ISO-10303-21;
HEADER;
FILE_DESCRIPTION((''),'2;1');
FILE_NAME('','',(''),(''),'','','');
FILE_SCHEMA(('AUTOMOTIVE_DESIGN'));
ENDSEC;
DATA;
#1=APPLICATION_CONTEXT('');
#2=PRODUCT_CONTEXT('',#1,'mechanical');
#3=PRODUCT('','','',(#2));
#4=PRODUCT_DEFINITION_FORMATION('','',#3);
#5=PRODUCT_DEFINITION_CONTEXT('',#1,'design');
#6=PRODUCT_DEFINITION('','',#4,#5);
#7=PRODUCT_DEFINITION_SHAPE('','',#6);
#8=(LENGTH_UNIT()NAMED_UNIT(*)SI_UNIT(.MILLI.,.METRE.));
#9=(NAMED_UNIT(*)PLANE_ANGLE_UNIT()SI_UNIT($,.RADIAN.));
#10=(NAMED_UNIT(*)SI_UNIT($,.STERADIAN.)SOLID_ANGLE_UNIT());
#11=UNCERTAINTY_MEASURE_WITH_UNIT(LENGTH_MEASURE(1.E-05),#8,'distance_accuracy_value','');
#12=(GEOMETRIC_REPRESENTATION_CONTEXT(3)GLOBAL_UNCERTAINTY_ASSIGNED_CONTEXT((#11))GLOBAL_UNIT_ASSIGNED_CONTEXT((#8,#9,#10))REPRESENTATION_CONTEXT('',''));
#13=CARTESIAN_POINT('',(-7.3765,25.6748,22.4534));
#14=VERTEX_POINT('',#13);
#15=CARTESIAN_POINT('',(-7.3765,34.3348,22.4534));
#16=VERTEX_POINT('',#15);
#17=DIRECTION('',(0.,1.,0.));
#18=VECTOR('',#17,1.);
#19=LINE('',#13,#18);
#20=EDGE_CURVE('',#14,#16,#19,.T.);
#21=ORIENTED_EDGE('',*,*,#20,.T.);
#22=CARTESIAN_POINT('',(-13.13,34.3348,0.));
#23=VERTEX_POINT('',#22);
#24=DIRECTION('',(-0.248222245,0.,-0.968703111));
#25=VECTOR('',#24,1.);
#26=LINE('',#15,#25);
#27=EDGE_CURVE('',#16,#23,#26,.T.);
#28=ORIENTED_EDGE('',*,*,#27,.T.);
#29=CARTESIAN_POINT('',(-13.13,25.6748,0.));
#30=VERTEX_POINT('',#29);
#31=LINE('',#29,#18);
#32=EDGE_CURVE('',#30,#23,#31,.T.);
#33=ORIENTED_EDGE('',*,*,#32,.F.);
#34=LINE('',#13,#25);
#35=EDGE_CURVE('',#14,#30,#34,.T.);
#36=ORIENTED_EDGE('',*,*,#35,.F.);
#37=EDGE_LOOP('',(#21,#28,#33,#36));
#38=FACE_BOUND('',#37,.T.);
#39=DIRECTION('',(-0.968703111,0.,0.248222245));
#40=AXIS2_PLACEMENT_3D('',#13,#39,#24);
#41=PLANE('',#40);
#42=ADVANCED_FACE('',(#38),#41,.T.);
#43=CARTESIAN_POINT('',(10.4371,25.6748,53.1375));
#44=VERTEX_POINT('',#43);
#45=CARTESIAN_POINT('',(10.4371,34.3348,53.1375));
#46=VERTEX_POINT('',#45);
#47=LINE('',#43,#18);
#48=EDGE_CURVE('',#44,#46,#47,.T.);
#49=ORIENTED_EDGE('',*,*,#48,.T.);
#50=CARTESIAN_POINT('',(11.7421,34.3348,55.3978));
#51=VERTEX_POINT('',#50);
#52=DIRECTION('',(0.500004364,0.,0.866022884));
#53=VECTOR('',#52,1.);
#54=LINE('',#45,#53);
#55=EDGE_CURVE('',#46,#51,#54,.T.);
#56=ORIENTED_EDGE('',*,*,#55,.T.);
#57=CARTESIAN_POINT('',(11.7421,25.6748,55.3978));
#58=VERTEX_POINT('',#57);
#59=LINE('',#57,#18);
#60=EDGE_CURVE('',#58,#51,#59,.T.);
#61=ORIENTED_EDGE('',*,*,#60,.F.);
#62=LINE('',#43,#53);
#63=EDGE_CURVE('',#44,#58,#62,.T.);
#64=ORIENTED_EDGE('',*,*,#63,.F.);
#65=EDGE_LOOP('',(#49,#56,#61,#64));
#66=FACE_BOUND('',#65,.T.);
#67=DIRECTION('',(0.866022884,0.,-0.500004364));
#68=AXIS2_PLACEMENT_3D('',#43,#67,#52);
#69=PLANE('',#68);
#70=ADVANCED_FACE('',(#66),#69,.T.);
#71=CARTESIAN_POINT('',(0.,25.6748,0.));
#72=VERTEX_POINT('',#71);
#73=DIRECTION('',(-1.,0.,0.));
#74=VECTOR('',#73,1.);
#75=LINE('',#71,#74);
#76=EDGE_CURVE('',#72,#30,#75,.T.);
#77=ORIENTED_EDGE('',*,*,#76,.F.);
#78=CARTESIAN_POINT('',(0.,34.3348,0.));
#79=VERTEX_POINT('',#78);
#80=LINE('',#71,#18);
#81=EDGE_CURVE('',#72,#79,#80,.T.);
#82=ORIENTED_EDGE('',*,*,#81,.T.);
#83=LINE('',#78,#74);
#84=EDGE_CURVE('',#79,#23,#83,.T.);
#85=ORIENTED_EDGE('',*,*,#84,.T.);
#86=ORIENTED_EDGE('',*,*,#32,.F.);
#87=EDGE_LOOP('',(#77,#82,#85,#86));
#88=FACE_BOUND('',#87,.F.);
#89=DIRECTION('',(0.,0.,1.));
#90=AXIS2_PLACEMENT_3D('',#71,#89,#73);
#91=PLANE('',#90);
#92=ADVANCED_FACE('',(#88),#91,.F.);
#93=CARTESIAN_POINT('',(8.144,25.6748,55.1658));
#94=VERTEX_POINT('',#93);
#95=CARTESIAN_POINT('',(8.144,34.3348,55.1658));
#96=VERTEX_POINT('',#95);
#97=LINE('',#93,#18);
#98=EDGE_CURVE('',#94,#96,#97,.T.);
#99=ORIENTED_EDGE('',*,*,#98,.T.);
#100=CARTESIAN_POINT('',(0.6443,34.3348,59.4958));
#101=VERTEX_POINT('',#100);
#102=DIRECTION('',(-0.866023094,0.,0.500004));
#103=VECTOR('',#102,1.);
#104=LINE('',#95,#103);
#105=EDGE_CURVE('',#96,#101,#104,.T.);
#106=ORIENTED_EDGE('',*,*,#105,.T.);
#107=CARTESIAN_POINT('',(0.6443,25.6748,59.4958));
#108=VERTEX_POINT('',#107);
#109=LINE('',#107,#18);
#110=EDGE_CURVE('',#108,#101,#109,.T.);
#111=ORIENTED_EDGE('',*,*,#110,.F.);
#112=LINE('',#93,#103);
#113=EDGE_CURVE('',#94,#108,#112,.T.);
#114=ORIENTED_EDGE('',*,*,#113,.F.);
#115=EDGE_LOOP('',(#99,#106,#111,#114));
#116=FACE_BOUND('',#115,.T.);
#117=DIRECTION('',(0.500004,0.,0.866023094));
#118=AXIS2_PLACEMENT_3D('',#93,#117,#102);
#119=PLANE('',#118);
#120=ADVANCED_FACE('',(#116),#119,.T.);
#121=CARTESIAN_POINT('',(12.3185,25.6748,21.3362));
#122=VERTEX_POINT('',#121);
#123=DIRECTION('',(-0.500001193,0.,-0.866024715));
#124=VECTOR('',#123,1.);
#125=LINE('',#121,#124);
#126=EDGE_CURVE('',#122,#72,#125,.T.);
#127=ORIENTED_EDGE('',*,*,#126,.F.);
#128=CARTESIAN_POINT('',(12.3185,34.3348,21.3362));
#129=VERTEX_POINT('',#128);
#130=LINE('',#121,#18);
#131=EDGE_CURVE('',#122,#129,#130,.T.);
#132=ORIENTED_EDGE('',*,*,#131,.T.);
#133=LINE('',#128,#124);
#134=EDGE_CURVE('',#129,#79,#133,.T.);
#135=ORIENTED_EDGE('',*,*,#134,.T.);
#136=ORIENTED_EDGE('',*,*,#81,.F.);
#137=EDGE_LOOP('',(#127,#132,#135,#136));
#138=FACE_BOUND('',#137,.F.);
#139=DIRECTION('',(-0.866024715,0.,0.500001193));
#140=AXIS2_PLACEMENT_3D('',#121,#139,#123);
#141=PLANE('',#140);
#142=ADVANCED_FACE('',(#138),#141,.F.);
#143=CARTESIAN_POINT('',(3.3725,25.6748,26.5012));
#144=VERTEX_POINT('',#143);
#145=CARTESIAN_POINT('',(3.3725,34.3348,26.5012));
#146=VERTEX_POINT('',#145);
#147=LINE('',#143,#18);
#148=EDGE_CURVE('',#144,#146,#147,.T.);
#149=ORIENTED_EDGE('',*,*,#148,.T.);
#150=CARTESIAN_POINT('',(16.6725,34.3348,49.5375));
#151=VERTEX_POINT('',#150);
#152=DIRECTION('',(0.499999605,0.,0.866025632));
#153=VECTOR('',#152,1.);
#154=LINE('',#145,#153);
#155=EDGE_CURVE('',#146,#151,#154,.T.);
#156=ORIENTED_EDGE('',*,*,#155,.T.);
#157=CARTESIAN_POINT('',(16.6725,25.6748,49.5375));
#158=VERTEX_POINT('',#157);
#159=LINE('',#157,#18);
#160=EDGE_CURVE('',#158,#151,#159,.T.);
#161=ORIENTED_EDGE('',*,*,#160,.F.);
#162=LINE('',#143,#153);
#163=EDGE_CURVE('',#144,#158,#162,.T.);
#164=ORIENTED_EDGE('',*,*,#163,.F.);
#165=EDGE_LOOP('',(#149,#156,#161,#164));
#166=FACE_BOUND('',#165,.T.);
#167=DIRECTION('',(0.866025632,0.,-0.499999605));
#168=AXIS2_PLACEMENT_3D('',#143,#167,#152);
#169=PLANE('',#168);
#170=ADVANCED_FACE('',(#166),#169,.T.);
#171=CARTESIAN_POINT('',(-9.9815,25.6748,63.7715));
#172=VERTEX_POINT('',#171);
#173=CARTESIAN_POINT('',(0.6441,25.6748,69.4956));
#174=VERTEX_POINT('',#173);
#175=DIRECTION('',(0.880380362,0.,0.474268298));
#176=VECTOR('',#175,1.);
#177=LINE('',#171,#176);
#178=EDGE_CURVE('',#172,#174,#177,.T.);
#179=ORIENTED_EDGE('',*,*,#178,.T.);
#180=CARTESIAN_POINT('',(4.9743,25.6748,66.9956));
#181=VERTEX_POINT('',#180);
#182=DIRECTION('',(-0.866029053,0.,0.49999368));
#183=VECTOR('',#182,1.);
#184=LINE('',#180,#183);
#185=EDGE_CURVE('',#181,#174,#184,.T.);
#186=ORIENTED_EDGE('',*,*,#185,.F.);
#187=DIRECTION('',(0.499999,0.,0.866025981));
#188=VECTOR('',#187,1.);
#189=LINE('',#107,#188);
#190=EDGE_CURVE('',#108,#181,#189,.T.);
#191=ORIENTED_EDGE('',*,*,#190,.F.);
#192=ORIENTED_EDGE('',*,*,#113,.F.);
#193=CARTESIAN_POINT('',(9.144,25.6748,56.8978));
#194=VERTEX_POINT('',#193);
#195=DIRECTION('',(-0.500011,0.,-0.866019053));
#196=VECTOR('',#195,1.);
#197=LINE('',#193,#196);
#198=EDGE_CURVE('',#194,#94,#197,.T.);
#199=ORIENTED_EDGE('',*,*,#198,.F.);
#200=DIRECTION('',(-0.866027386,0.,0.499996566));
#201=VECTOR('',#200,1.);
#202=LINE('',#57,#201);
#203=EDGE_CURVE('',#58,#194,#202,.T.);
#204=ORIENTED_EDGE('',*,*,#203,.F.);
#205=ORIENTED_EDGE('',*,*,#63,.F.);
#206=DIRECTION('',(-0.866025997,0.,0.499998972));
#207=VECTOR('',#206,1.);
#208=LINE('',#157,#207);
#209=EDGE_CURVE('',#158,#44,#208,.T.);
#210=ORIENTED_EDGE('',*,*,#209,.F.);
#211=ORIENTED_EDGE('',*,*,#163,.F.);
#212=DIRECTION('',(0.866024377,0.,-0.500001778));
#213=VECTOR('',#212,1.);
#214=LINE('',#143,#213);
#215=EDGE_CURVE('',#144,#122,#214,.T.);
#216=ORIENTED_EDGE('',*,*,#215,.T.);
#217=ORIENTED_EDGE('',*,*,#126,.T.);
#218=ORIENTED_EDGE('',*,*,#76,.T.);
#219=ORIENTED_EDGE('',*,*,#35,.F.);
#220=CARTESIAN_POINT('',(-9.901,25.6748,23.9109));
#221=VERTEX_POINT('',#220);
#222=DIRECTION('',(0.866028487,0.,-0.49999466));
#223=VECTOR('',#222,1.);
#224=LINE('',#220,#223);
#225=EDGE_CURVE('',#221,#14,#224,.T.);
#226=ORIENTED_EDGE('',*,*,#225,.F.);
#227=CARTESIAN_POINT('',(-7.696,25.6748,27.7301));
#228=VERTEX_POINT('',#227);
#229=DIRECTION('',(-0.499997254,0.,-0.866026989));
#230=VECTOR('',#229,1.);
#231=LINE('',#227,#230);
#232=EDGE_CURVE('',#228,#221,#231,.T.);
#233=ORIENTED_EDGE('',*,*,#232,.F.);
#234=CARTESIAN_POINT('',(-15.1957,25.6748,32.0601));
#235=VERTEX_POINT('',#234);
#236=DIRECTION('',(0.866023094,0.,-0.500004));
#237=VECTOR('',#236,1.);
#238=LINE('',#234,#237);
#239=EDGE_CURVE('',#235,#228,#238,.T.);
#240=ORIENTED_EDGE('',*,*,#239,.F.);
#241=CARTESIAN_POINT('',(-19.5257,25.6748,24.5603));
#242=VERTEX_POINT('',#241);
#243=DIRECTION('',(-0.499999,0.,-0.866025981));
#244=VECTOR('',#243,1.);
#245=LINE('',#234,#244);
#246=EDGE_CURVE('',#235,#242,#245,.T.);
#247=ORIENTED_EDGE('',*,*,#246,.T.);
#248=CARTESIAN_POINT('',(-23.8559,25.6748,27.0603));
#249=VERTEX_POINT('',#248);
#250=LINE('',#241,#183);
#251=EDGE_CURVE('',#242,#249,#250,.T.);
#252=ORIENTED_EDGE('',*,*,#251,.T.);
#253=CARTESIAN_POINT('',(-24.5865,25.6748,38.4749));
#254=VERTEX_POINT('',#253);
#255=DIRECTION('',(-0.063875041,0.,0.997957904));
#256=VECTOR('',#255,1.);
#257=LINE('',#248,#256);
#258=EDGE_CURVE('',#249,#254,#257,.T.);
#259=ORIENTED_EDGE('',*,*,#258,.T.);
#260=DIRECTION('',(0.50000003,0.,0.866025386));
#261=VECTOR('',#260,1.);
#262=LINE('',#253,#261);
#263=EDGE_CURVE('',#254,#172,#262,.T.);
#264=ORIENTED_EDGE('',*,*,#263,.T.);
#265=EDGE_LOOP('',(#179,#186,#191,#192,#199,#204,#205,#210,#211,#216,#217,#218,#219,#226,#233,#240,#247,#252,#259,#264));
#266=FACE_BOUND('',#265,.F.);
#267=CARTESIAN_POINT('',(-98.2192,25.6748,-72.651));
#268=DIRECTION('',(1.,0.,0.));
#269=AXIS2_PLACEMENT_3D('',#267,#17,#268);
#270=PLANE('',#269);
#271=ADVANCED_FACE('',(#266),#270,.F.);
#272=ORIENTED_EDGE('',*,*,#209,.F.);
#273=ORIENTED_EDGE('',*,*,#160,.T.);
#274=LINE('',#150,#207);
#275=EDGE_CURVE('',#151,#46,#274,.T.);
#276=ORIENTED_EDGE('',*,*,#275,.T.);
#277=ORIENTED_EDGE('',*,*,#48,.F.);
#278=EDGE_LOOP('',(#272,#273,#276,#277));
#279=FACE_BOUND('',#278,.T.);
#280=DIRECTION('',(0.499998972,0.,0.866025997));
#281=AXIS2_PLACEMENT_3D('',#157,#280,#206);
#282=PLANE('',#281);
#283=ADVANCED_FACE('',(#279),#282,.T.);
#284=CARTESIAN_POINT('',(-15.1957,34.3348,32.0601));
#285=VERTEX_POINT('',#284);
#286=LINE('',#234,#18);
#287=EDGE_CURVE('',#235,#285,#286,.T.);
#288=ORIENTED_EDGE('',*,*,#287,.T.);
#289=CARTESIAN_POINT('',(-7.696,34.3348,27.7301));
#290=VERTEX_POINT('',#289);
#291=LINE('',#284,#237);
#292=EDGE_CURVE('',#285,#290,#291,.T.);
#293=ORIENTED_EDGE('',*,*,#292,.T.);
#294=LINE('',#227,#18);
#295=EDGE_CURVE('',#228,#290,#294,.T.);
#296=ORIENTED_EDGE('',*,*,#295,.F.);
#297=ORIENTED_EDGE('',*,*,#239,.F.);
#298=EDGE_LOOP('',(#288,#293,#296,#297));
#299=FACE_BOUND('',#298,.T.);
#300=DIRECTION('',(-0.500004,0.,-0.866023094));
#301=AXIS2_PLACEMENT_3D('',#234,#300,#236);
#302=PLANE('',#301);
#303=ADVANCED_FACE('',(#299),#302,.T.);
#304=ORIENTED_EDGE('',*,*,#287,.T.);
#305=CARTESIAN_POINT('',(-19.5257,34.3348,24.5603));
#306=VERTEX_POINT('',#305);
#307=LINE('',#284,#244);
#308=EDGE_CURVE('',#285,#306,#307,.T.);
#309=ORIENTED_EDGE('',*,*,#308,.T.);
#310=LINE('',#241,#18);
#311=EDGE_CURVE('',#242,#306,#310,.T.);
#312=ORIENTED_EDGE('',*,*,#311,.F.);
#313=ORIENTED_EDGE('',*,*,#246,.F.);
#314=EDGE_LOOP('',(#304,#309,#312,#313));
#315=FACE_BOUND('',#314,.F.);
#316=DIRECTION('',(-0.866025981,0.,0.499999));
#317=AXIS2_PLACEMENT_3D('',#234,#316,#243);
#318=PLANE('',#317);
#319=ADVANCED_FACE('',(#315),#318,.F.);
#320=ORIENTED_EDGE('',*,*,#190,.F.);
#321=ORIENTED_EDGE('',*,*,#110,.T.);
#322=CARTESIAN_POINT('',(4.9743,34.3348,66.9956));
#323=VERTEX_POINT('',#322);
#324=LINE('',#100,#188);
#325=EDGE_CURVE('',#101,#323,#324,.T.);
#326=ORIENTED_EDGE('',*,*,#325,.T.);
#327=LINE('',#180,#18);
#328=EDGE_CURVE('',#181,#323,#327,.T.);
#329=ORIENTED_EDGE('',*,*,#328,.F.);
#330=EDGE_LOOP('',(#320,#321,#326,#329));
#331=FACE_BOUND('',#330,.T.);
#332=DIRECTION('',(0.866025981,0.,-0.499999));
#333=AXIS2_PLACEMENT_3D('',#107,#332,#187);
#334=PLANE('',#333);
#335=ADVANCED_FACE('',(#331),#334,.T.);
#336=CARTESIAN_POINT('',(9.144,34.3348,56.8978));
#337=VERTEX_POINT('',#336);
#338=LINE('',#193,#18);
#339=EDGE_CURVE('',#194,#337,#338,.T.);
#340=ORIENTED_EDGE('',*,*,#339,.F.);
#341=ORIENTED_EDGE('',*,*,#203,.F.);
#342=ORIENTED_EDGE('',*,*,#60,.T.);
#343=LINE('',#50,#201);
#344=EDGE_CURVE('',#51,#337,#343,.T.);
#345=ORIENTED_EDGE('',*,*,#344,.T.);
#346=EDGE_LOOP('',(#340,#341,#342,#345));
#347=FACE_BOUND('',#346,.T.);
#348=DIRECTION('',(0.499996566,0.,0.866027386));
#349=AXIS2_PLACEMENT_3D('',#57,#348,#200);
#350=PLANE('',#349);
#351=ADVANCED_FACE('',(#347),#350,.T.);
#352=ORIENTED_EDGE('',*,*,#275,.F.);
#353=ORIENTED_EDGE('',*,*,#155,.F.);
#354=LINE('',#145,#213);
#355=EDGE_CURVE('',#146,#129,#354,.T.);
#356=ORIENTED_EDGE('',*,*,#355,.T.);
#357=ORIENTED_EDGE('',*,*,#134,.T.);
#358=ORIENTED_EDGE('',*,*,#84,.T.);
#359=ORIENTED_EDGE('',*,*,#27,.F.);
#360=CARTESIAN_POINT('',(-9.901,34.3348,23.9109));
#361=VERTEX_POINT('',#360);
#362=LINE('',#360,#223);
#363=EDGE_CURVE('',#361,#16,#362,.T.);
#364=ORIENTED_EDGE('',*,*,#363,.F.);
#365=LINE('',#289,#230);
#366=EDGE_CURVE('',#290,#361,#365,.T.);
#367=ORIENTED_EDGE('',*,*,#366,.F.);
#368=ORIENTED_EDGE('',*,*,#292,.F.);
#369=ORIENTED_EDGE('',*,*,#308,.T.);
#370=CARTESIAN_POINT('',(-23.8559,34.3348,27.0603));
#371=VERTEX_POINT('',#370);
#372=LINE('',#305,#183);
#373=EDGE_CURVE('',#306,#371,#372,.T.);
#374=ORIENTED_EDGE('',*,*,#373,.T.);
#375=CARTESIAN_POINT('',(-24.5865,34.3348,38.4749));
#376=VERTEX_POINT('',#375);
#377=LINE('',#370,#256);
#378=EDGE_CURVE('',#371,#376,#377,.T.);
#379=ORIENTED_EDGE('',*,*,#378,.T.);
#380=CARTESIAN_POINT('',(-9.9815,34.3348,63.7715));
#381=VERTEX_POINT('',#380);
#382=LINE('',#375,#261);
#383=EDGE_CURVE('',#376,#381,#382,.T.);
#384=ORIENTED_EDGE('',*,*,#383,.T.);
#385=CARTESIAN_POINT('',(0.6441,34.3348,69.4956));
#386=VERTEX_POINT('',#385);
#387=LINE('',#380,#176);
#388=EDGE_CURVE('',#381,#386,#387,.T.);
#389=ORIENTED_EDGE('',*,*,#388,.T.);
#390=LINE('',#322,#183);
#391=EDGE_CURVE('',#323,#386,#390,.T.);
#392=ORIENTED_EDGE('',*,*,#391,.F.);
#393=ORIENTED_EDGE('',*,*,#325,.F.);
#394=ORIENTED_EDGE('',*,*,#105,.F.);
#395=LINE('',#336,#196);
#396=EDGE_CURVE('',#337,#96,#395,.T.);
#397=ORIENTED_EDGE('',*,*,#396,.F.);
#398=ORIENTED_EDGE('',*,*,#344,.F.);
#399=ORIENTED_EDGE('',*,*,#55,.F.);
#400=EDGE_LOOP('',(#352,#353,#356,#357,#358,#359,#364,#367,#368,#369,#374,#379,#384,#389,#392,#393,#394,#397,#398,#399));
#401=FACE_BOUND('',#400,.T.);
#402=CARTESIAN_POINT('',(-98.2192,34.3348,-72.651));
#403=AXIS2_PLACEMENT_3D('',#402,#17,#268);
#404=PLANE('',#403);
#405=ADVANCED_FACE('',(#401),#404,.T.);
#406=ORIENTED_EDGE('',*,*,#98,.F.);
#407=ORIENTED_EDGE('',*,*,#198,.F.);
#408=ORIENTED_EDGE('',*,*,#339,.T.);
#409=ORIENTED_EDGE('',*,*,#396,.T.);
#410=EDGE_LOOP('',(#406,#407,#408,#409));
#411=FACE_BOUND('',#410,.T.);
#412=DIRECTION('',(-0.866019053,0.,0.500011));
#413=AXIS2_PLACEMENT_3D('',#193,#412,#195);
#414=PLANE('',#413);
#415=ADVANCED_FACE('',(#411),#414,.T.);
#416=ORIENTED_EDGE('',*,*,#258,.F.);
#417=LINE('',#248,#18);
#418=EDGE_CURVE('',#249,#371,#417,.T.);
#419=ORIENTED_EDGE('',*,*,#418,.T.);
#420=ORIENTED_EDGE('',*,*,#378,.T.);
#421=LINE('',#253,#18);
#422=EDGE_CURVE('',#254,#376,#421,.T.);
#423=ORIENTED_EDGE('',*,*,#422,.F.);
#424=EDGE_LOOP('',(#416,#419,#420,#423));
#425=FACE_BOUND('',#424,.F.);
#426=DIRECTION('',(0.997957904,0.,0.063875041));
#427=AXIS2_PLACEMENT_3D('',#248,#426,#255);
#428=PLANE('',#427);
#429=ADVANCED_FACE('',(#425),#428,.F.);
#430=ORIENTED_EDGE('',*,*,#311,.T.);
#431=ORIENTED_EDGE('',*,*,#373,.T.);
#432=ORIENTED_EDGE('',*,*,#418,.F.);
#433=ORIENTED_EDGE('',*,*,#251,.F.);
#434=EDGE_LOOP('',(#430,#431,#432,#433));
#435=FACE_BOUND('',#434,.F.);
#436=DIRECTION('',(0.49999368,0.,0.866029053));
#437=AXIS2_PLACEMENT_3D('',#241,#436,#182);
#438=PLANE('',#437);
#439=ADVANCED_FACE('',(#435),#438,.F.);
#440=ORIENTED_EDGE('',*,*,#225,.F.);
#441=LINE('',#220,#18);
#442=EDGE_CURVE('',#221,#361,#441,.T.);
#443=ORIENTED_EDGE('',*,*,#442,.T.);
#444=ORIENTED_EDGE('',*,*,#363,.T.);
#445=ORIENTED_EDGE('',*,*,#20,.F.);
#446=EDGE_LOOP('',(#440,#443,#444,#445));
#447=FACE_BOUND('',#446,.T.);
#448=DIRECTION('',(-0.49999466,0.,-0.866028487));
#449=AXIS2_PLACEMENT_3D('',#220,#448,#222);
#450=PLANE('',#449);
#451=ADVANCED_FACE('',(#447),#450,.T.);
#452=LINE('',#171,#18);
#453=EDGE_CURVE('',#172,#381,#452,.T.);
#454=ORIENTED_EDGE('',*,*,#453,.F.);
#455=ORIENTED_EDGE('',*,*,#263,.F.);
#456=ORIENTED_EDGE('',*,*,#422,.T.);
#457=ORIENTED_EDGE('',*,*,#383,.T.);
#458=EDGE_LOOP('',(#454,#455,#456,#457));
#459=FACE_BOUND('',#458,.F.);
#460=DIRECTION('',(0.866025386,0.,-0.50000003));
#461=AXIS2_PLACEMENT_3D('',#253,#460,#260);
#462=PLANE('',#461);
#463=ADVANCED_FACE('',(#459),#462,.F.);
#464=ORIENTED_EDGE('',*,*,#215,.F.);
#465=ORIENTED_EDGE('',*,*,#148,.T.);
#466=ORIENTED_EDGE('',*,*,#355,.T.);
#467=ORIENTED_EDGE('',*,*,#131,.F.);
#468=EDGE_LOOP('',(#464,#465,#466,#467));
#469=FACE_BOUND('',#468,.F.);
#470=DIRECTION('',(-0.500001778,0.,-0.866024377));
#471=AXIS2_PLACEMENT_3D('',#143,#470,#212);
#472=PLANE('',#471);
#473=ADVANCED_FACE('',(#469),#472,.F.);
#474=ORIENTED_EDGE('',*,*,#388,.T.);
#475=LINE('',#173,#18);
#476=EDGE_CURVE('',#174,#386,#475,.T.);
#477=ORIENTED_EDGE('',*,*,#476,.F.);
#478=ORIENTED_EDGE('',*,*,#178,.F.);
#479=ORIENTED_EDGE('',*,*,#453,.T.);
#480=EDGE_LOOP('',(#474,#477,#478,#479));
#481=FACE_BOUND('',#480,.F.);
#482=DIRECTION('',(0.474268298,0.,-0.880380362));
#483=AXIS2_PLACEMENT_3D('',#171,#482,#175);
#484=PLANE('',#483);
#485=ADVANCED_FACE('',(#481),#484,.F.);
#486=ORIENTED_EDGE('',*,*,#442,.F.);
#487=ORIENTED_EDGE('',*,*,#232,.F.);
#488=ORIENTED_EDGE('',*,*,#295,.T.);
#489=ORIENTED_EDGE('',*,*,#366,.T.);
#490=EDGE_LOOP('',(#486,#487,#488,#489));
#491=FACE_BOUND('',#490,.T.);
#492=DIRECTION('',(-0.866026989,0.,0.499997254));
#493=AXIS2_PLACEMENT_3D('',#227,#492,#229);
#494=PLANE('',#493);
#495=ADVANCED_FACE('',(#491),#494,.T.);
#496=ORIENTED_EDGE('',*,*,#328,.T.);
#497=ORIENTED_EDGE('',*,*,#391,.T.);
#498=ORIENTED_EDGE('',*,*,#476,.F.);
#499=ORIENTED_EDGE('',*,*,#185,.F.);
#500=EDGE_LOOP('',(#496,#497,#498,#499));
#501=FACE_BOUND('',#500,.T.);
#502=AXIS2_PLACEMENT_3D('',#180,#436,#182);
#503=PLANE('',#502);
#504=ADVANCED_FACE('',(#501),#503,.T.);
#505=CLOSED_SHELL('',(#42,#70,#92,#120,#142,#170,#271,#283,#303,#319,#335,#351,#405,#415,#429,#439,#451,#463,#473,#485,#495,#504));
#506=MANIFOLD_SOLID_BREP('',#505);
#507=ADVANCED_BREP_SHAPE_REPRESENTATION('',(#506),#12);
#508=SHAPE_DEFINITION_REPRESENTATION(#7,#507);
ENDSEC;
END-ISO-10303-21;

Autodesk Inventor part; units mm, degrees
ref_plane "YZ Plane" through (0, 0, 0) normal (1, 0, 0) x (0, 1, 0)
ref_plane "XZ Plane" through (0, 0, 0) normal (0, 1, 0) x (-1, 0, 0)
ref_plane "XY Plane" through (0, 0, 0) normal (0, 0, 1) x (1, 0, 0)
ref_plane "Work Plane3" through (-98.2192, 25.6748, -72.651) normal (0, 1, 0) x (1, 0, 0)
sketch "Sketch1" plane through (-98.2192, 25.6748, -72.651) normal (0, 1, 0) x (1, 0, 0)
  line L0 (108.2722, -112.7231) -> (109.1382, -112.2231) construction
  line L1 (108.6382, -111.3571) -> (109.1382, -112.2231) construction
  line L2 (101.5917, -99.1522) -> (114.8917, -122.1885)
  line L3 (101.5917, -99.1522) -> (110.5377, -93.9872)
  line L4 (114.8917, -122.1885) -> (108.6563, -125.7885)
  line L5 (108.6563, -125.7885) -> (109.9613, -128.0488)
  line L6 (109.9613, -128.0488) -> (107.3632, -129.5488)
  line L7 (107.3632, -129.5488) -> (106.3632, -127.8168)
  line L8 (106.3632, -127.8168) -> (98.8635, -132.1468)
  line L9 (98.8635, -132.1468) -> (103.1935, -139.6466)
  line L10 (79.4712, -121.2385) -> (82.4842, -126.4571) construction
  line L11 (103.1935, -139.6466) -> (98.8633, -142.1466)
  line L12 (83.0235, -104.7111) -> (90.5232, -100.3811)
  line L13 (90.5232, -100.3811) -> (88.3182, -96.5619)
  line L14 (88.3182, -96.5619) -> (90.8427, -95.1044)
  line L15 (83.0235, -104.7111) -> (78.6935, -97.2113)
  line L16 (73.6327, -111.1259) -> (88.2377, -136.4225)
  line L17 (78.6935, -97.2113) -> (74.3633, -99.7113)
  line L18 (90.8427, -95.1044) -> (85.0892, -72.651)
  line L19 (110.5377, -93.9872) -> (98.2192, -72.651)
  line L20 (98.2192, -72.651) -> (85.0892, -72.651)
  line L21 (88.2377, -136.4225) -> (98.8633, -142.1466)
  line L22 (74.3633, -99.7113) -> (73.6327, -111.1259)
  dimension "d1" = 26.6
  dimension "d4" = 7.2
  dimension "d5" = 2.61
  dimension "d6" = 3
  dimension "d7" = 2
  dimension "d8" = 8.66
  dimension "d9" = 8.66
  dimension "d10" = 5
  dimension "d11" = 8.66
  dimension "d12" = 31.68
  dimension "d13" = 4.41
  dimension "d14" = 2.915
  dimension "d17" = 8.66
  dimension "d18" = 29.21
  dimension "d20" = 10.27
  dimension "d21" = 5
  dimension "d22" = 23.1789
  dimension "d23" = 13.13
  dimension "d24" = 24.637
  dimension "d25" = 10.33
extrude "Extrusion1" add sketch "Sketch1" along normal blind 8.66
properties part number "Upper Support"
